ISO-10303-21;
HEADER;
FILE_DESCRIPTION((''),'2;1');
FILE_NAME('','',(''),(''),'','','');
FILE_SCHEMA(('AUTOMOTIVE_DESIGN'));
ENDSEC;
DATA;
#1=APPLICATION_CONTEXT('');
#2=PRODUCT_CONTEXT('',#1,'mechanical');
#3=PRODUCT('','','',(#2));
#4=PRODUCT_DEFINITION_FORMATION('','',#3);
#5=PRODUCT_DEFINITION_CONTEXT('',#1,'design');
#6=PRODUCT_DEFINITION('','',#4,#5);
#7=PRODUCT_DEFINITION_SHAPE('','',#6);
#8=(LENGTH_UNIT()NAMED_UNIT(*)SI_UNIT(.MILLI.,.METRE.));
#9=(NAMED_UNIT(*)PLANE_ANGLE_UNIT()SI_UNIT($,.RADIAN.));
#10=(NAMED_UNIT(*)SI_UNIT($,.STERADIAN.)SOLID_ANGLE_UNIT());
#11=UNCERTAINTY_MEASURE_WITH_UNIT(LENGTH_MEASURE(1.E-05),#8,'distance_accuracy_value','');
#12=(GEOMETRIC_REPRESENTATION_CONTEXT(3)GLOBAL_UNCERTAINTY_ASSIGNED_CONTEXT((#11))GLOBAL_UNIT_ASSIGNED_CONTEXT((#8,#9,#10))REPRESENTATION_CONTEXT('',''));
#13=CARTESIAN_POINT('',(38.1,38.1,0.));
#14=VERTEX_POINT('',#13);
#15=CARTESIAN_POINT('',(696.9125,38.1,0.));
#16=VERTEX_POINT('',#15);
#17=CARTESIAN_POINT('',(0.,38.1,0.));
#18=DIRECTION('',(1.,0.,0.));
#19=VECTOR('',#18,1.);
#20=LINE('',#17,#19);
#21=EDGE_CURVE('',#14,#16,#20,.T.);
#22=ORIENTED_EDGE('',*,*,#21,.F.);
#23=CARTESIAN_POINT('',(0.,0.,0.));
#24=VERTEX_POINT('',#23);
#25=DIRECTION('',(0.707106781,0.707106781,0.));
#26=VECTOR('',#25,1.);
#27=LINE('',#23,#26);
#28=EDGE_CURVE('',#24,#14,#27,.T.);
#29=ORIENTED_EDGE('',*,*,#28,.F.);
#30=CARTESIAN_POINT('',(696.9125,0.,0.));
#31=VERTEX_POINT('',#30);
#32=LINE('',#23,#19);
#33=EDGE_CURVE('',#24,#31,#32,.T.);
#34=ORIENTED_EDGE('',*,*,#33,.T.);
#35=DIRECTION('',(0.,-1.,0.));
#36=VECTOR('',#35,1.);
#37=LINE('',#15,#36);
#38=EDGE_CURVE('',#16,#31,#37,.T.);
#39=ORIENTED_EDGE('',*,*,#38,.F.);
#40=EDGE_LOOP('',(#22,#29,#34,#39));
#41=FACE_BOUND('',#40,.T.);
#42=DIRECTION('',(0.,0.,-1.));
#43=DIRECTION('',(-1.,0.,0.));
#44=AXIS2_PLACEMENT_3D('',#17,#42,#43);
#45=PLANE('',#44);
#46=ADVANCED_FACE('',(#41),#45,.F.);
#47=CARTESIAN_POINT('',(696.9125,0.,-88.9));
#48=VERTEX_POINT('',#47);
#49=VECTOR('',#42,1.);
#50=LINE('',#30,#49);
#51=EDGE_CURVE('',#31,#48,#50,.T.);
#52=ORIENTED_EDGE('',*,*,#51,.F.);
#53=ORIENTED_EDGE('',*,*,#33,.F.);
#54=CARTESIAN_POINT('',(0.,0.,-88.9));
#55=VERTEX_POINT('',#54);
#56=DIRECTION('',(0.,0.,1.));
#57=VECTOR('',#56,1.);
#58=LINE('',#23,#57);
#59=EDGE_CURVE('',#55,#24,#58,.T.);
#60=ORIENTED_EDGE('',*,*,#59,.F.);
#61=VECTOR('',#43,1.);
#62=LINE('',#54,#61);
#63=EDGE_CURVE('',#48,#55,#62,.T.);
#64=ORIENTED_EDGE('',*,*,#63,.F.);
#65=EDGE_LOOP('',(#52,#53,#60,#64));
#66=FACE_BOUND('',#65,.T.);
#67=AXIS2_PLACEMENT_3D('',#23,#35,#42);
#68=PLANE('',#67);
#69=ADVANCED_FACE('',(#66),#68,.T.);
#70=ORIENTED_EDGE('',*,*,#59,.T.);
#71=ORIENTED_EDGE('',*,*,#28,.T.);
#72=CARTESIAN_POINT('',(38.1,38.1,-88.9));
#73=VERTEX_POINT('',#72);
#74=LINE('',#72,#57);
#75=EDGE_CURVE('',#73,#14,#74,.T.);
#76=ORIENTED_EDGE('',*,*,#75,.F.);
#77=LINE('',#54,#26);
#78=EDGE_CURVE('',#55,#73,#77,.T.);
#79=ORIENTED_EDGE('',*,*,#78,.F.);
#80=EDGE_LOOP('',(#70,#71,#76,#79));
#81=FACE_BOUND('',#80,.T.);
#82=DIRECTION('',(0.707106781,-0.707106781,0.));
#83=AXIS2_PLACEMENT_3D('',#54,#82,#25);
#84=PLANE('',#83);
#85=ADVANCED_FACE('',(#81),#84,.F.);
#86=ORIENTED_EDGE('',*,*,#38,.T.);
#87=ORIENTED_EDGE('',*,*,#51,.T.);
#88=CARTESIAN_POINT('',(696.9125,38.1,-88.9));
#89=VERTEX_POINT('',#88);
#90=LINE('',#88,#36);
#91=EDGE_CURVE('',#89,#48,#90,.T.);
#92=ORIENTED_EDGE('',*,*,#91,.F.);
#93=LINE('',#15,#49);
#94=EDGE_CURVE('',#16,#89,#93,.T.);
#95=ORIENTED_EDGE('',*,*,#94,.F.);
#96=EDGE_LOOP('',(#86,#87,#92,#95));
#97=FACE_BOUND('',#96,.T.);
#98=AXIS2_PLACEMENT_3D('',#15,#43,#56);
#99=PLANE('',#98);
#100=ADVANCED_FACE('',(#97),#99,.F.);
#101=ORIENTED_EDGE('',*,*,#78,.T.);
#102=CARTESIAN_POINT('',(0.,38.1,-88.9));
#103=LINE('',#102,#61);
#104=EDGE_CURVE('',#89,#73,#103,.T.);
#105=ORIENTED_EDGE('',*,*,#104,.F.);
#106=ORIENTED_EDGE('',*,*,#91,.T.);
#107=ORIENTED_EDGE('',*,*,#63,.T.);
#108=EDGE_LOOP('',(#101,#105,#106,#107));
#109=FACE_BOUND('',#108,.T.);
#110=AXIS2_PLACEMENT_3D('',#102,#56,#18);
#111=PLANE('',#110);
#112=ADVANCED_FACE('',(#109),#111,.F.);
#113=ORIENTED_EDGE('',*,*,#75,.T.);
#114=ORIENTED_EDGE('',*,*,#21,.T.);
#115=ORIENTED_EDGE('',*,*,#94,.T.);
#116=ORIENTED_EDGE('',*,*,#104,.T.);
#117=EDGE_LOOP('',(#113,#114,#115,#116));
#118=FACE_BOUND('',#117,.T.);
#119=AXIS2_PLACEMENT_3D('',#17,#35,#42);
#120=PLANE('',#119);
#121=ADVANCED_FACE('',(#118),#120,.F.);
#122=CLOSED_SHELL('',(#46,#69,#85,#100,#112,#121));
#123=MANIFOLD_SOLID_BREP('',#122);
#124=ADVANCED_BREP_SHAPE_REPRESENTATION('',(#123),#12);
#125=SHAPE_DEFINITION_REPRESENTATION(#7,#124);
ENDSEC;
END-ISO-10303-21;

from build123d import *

# Parameters (mm, degrees)
SKETCH1_W           = 696.9125
SKETCH1_H           = 88.9
BOSS_EXTRUDE1_DEPTH = 38.1
CUT_EXTRUDE1_DEPTH  = 89.9


with BuildPart() as part:
    # Sketch1 → Boss-Extrude1 (new body)
    with BuildSketch(Plane(origin=(0, 0, 0), x_dir=(1, 0, 0), z_dir=(0, 1, 0))):
        with Locations((348.45625, 44.45)):
            Rectangle(SKETCH1_W, SKETCH1_H)
    extrude(amount=BOSS_EXTRUDE1_DEPTH)

    # Sketch2 → Cut-Extrude1 (cut, through all)
    with BuildSketch(Plane.XY):
        Polygon((0, 0), (38.1, 38.1), (0, 38.1), align=None)
    extrude(amount=-CUT_EXTRUDE1_DEPTH, mode=Mode.SUBTRACT)


solid = part.part
